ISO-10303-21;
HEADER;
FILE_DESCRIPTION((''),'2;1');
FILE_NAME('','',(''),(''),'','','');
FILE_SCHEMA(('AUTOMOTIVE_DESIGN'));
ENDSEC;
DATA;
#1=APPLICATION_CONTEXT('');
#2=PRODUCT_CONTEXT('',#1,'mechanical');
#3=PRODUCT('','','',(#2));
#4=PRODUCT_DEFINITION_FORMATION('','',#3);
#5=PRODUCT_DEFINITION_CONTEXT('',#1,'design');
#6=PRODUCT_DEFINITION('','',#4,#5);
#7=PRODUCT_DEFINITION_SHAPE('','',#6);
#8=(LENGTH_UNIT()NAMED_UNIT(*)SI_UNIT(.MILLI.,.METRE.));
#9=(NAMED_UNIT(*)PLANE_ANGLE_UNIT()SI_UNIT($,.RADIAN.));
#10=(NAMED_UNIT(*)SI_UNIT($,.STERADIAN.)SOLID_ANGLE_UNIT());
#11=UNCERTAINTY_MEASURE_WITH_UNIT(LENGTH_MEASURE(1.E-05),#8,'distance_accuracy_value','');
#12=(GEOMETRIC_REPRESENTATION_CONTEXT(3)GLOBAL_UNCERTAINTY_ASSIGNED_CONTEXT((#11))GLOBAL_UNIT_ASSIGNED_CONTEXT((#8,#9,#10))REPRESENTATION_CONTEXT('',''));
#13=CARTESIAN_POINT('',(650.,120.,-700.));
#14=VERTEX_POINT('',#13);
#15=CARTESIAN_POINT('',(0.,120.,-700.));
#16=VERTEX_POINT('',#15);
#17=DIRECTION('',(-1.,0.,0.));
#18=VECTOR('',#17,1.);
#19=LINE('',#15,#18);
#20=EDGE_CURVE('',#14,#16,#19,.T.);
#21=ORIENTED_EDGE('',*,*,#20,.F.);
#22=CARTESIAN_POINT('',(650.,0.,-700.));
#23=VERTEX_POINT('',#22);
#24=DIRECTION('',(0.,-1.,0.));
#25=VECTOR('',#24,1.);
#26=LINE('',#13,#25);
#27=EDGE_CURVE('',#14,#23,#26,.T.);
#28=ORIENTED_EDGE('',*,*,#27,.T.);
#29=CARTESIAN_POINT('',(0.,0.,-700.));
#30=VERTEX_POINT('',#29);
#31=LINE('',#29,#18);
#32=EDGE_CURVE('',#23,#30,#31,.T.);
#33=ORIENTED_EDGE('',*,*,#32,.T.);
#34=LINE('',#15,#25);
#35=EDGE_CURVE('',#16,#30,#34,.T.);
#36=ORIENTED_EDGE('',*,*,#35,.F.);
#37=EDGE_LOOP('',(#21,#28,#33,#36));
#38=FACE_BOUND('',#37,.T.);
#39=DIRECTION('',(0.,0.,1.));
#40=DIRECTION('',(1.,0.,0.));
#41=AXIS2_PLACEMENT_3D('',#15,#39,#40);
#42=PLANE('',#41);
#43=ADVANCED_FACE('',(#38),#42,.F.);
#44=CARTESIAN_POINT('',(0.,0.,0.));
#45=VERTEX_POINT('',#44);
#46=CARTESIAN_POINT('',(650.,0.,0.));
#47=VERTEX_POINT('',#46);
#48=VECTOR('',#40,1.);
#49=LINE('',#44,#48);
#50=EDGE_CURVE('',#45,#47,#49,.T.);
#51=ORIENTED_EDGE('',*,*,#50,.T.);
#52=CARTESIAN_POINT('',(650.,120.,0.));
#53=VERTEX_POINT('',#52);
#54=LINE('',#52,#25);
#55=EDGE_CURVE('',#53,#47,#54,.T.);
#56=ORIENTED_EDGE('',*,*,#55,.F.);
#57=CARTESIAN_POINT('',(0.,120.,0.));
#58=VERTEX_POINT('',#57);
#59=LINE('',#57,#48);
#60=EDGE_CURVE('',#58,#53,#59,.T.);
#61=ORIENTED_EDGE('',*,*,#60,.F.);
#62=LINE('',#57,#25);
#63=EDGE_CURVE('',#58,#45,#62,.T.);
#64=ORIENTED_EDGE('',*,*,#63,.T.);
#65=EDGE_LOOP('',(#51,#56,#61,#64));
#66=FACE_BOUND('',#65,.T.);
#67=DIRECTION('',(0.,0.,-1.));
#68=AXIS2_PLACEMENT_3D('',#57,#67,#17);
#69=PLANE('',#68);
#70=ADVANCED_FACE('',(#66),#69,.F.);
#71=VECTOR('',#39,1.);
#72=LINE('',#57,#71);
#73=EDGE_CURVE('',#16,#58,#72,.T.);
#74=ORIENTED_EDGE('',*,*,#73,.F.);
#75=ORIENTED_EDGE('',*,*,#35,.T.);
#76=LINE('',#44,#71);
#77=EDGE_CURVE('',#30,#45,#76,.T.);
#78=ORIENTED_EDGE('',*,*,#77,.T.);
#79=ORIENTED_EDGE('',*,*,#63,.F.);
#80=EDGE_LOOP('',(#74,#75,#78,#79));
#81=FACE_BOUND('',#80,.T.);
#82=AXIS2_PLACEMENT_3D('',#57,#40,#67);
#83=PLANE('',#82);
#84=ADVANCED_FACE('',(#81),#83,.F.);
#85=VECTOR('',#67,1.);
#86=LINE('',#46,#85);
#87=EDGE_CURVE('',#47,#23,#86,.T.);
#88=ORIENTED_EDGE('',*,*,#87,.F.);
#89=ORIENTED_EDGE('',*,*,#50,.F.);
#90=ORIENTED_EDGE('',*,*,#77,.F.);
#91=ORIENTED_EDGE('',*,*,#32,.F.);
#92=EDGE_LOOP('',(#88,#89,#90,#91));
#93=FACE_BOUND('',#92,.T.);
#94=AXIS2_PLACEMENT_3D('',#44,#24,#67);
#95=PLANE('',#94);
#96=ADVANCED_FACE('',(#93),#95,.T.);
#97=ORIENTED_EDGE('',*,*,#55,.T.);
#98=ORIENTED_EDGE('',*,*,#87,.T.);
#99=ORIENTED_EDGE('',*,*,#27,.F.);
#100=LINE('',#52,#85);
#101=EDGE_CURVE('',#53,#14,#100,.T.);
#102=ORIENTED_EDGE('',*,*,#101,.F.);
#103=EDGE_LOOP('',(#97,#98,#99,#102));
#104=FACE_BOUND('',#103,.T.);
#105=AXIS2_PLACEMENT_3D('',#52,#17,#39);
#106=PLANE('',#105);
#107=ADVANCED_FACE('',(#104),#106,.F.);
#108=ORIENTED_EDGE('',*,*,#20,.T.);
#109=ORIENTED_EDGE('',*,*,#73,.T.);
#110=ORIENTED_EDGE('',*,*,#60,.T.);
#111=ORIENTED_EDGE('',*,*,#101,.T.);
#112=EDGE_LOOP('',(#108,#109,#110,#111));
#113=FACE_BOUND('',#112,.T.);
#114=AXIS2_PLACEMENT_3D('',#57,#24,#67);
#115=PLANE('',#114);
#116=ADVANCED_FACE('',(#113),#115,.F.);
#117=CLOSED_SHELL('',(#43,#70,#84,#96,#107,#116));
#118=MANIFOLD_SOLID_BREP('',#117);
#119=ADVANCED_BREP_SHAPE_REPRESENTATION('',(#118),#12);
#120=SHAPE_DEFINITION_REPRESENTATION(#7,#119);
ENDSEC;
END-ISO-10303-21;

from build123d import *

# Parameters (mm, degrees)
ESQUISSE1_W        = 650
ESQUISSE1_H        = 700
BOSS_EXTRU_1_DEPTH = 120


with BuildPart() as part:
    # Esquisse1 → Boss.-Extru.1 (new body)
    with BuildSketch(Plane(origin=(0, 0, 0), x_dir=(1, 0, 0), z_dir=(0, 1, 0))):
        with Locations((325, 350)):
            Rectangle(ESQUISSE1_W, ESQUISSE1_H)
    extrude(amount=BOSS_EXTRU_1_DEPTH)


solid = part.part
